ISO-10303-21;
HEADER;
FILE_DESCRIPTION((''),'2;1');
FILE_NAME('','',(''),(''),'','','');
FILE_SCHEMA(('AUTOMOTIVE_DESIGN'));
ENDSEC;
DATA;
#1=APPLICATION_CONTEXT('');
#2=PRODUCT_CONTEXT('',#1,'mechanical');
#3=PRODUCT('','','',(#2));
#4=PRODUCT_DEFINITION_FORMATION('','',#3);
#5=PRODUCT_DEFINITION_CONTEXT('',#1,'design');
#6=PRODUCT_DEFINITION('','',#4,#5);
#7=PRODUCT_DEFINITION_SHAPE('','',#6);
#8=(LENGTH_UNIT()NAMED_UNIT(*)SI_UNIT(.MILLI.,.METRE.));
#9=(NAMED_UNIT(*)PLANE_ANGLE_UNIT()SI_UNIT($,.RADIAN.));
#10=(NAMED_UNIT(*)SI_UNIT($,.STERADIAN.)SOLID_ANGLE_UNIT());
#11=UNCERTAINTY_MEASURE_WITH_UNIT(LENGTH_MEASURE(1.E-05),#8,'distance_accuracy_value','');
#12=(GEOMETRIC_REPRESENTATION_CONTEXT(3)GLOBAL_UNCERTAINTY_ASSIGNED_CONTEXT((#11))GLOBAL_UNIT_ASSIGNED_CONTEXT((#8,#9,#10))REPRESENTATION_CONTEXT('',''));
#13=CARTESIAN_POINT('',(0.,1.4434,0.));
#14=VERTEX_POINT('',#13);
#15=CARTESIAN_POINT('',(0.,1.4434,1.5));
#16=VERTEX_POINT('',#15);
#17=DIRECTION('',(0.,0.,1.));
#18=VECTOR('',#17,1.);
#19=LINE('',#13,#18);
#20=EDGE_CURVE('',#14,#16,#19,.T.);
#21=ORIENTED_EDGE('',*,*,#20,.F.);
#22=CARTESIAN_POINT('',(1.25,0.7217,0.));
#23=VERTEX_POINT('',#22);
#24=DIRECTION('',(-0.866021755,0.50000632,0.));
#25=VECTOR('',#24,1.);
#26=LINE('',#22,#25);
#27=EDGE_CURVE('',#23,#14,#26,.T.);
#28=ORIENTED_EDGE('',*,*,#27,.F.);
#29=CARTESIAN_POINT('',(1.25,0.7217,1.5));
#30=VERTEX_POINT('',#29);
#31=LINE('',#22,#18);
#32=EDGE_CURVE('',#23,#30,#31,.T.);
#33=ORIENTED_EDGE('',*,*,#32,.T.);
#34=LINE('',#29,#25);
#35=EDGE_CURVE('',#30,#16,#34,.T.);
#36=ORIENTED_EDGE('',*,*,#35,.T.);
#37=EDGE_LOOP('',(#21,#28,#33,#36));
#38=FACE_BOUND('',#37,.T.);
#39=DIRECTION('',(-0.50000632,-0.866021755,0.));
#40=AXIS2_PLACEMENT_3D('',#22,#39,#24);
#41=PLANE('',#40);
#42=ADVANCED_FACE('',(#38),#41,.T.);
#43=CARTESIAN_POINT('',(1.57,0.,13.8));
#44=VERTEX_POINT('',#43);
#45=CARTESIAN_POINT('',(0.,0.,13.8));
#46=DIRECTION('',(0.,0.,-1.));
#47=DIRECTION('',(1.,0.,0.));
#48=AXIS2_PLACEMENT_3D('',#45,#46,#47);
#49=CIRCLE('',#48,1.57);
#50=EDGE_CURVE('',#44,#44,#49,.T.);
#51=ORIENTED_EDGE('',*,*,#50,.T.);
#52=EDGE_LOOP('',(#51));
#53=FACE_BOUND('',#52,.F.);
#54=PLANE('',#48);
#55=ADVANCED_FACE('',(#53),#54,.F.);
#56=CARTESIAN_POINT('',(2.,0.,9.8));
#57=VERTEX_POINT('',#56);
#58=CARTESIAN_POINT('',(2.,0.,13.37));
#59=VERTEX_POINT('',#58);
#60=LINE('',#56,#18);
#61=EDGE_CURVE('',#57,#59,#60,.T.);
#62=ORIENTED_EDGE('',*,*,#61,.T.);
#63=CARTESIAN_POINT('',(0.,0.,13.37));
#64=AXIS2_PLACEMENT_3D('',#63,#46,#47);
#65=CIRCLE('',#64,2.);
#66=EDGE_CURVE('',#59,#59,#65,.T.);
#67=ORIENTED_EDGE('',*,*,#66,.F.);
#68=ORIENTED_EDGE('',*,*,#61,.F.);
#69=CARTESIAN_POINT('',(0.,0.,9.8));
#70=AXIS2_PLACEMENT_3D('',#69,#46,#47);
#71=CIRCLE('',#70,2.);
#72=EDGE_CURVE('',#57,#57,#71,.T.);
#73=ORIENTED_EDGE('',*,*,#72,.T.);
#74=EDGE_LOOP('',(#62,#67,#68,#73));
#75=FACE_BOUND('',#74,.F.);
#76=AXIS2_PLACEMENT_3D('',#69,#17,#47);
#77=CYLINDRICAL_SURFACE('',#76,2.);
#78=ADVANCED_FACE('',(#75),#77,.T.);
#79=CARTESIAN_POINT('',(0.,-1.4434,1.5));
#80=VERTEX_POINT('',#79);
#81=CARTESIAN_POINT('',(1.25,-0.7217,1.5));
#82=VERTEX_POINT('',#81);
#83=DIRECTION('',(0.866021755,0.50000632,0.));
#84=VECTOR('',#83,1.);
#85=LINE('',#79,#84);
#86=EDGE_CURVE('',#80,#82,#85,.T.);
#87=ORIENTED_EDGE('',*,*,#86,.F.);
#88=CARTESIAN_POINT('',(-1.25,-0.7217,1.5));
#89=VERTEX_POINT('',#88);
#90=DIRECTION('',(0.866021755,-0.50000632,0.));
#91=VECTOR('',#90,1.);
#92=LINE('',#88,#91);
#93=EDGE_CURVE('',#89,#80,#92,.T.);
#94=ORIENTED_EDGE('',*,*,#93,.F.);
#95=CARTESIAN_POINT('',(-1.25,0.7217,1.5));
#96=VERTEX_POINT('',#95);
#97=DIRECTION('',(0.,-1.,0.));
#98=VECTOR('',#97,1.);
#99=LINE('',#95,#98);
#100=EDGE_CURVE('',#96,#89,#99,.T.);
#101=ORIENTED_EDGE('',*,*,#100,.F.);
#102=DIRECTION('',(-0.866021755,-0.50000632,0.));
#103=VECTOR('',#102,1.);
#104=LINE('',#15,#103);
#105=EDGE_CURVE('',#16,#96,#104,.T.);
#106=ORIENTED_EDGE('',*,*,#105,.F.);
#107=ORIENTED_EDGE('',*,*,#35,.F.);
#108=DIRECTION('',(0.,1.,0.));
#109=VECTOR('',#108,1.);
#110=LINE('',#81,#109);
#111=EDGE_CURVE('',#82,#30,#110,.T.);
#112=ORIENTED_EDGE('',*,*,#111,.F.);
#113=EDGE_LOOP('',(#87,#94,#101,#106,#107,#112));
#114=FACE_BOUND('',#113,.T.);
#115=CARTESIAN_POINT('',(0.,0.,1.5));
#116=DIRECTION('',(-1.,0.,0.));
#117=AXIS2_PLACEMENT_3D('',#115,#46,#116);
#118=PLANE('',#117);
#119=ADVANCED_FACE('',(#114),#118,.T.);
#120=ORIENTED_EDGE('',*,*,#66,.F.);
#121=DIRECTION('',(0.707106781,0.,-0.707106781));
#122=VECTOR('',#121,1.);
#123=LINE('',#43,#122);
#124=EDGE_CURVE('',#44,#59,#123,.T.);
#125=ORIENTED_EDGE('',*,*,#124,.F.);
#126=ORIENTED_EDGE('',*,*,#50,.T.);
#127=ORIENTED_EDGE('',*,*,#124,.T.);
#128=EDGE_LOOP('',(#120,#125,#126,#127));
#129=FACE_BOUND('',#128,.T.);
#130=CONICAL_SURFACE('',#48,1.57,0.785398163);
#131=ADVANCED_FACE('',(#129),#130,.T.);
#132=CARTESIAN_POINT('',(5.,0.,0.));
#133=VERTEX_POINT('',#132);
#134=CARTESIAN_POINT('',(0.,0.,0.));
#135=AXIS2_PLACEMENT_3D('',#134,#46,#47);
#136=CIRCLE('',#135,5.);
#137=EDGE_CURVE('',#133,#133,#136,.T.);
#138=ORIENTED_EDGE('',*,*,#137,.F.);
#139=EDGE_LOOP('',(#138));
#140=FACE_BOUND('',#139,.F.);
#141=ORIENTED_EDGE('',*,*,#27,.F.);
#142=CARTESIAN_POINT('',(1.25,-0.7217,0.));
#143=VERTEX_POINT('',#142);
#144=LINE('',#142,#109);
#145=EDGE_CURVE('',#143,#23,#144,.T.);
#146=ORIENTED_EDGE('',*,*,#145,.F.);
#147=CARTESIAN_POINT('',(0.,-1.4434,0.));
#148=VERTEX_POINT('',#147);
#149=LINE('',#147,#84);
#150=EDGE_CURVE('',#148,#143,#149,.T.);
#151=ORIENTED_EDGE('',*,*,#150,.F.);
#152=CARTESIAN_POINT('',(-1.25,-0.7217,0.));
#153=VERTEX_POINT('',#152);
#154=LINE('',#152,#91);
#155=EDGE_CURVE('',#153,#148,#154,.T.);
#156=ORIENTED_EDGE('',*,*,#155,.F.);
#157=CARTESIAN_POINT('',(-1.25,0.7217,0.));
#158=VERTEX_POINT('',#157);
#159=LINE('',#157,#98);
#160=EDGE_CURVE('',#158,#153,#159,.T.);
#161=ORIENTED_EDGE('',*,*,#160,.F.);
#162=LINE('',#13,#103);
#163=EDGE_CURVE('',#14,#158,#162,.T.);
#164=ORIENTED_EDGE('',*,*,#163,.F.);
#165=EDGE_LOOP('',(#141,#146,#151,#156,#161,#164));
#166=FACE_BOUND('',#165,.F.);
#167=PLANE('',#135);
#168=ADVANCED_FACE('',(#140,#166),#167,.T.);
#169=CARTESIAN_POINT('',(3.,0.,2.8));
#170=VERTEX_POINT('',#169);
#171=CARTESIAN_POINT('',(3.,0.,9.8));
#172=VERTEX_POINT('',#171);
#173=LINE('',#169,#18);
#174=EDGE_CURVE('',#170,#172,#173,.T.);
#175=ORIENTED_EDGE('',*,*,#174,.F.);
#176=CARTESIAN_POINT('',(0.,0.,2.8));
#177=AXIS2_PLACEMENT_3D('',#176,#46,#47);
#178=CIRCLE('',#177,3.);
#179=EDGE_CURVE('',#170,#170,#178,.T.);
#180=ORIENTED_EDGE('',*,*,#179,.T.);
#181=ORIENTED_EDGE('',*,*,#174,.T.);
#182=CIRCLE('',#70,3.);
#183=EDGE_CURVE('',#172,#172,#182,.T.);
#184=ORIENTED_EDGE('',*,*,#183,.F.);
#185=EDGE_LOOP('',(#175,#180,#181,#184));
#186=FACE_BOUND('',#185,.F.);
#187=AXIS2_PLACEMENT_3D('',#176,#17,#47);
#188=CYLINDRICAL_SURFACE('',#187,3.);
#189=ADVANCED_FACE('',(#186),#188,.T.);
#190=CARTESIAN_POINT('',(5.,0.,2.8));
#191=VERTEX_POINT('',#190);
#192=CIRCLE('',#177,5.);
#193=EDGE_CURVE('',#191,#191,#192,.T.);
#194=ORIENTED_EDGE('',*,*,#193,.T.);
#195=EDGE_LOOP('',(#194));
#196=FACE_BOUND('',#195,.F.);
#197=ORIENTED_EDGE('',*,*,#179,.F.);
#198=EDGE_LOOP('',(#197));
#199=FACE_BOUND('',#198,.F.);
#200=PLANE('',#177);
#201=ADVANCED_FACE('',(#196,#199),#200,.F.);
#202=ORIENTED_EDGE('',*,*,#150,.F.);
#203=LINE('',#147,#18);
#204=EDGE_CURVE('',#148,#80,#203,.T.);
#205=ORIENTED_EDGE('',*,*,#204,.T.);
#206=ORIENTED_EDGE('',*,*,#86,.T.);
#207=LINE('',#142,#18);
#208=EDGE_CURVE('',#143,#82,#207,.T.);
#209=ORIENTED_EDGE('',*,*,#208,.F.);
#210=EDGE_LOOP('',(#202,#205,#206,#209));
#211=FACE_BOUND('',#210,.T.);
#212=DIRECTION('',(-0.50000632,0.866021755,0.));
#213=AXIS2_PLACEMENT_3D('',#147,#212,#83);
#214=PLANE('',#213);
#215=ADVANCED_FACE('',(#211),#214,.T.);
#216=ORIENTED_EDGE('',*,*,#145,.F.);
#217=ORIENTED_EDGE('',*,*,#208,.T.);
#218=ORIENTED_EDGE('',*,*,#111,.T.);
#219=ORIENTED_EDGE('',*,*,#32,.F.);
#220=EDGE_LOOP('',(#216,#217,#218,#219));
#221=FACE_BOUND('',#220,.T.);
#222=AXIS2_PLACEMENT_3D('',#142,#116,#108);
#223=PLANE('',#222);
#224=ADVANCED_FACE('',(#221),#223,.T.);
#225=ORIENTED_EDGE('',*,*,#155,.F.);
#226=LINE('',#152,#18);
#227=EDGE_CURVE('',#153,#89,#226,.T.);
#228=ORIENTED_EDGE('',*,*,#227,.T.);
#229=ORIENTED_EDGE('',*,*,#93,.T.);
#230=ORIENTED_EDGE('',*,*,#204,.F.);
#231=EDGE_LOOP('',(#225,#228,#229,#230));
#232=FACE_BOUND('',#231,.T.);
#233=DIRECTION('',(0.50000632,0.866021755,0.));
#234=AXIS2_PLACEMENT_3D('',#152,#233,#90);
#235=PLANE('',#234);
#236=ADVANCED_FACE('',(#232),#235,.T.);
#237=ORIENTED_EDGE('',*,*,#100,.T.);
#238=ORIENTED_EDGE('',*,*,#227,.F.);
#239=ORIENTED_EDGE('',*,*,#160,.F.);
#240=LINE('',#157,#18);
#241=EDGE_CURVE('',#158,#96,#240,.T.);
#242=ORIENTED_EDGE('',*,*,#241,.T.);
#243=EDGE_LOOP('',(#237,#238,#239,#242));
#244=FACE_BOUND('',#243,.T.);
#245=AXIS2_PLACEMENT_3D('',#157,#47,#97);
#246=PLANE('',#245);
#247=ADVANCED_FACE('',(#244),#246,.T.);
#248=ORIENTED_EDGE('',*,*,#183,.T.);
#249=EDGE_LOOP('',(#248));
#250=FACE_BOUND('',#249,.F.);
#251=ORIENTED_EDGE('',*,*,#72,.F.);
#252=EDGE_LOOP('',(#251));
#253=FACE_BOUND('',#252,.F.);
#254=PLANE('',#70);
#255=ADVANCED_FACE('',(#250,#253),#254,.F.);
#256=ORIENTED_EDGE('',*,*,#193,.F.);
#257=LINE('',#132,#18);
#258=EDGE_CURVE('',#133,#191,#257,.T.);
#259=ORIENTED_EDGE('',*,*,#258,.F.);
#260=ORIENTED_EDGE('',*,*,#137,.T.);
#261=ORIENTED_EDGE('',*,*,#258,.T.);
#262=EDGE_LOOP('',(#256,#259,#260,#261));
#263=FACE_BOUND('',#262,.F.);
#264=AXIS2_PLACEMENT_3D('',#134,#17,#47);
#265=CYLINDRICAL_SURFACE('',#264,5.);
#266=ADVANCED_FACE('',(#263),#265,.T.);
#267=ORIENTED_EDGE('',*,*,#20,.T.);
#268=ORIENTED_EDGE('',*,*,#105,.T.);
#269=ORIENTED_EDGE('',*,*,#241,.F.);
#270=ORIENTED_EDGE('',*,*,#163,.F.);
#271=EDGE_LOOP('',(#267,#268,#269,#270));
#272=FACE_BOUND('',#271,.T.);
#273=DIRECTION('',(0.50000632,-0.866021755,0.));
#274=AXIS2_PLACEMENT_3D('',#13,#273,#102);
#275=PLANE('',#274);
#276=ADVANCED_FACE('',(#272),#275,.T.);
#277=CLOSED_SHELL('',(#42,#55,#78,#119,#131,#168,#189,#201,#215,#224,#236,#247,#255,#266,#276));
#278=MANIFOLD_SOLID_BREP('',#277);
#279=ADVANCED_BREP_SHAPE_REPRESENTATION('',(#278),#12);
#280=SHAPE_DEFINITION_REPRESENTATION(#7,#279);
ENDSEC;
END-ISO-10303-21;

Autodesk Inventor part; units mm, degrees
ref_plane "YZ Plane" through (0, 0, 0) normal (1, 0, 0) x (0, 1, 0)
ref_plane "XZ Plane" through (0, 0, 0) normal (0, 1, 0) x (-1, 0, 0)
ref_plane "XY Plane" through (0, 0, 0) normal (0, 0, 1) x (1, 0, 0)
sketch "スケッチ1" plane through (0, 0, 0) normal (0, 1, 0) x (-1, 0, 0)
  line L0 (0, 0) -> (-5, 0)
  line L1 (-5, 0) -> (-5, 2.8)
  line L2 (-5, 2.8) -> (-3, 2.8)
  line L3 (-3, 2.8) -> (-3, 9.8)
  line L4 (-3, 9.8) -> (-2, 9.8)
  line L5 (-2, 9.8) -> (-2, 13.37)
  line L6 (-1.57, 13.8) -> (0, 13.8)
  line L7 (0, 13.8) -> (0, 0)
  line L8 (-1.57, 13.8) -> (-2, 13.37)
  point P0 (-2, 13.8)
  dimension "d0" = 4
  dimension "d1" = 7
  dimension "d2" = 2.8
  dimension "d3" = 0.43
  dimension "d4" = 0.43
  dimension "d5" = 4
  dimension "d6" = 10
  dimension "d7" = 6
revolve "回転1" add sketch "スケッチ1" angle 360 about axis through (0, 0, 13.8) along (0, 0, -1)
thread "ねじ1" size "M4x0.7" class "6g" standard "ANSI Metric M Profile" length 7.57 offset 1.2
sketch "スケッチ2" plane through (0, 0, 0) normal (0, 0, -1) x (-1, 0, 0)
  line L0 (0, -1.4434) -> (-1.25, -0.7217)
  line L1 (-1.25, -0.7217) -> (-1.25, 0.7217)
  line L2 (-1.25, 0.7217) -> (0, 1.4434)
  line L3 (0, 1.4434) -> (1.25, 0.7217)
  line L4 (1.25, 0.7217) -> (1.25, -0.7217)
  line L5 (1.25, -0.7217) -> (0, -1.4434)
  point P0 (0, 0)
  point P1 (0, 0)
  dimension "d11" = 2.5
extrude "押し出し1" cut sketch "スケッチ2" against normal blind 1.5
equation "\"d4\" = d3"
properties part number "DBS4-7-4" material "ステンレス鋼 AISI 304"
